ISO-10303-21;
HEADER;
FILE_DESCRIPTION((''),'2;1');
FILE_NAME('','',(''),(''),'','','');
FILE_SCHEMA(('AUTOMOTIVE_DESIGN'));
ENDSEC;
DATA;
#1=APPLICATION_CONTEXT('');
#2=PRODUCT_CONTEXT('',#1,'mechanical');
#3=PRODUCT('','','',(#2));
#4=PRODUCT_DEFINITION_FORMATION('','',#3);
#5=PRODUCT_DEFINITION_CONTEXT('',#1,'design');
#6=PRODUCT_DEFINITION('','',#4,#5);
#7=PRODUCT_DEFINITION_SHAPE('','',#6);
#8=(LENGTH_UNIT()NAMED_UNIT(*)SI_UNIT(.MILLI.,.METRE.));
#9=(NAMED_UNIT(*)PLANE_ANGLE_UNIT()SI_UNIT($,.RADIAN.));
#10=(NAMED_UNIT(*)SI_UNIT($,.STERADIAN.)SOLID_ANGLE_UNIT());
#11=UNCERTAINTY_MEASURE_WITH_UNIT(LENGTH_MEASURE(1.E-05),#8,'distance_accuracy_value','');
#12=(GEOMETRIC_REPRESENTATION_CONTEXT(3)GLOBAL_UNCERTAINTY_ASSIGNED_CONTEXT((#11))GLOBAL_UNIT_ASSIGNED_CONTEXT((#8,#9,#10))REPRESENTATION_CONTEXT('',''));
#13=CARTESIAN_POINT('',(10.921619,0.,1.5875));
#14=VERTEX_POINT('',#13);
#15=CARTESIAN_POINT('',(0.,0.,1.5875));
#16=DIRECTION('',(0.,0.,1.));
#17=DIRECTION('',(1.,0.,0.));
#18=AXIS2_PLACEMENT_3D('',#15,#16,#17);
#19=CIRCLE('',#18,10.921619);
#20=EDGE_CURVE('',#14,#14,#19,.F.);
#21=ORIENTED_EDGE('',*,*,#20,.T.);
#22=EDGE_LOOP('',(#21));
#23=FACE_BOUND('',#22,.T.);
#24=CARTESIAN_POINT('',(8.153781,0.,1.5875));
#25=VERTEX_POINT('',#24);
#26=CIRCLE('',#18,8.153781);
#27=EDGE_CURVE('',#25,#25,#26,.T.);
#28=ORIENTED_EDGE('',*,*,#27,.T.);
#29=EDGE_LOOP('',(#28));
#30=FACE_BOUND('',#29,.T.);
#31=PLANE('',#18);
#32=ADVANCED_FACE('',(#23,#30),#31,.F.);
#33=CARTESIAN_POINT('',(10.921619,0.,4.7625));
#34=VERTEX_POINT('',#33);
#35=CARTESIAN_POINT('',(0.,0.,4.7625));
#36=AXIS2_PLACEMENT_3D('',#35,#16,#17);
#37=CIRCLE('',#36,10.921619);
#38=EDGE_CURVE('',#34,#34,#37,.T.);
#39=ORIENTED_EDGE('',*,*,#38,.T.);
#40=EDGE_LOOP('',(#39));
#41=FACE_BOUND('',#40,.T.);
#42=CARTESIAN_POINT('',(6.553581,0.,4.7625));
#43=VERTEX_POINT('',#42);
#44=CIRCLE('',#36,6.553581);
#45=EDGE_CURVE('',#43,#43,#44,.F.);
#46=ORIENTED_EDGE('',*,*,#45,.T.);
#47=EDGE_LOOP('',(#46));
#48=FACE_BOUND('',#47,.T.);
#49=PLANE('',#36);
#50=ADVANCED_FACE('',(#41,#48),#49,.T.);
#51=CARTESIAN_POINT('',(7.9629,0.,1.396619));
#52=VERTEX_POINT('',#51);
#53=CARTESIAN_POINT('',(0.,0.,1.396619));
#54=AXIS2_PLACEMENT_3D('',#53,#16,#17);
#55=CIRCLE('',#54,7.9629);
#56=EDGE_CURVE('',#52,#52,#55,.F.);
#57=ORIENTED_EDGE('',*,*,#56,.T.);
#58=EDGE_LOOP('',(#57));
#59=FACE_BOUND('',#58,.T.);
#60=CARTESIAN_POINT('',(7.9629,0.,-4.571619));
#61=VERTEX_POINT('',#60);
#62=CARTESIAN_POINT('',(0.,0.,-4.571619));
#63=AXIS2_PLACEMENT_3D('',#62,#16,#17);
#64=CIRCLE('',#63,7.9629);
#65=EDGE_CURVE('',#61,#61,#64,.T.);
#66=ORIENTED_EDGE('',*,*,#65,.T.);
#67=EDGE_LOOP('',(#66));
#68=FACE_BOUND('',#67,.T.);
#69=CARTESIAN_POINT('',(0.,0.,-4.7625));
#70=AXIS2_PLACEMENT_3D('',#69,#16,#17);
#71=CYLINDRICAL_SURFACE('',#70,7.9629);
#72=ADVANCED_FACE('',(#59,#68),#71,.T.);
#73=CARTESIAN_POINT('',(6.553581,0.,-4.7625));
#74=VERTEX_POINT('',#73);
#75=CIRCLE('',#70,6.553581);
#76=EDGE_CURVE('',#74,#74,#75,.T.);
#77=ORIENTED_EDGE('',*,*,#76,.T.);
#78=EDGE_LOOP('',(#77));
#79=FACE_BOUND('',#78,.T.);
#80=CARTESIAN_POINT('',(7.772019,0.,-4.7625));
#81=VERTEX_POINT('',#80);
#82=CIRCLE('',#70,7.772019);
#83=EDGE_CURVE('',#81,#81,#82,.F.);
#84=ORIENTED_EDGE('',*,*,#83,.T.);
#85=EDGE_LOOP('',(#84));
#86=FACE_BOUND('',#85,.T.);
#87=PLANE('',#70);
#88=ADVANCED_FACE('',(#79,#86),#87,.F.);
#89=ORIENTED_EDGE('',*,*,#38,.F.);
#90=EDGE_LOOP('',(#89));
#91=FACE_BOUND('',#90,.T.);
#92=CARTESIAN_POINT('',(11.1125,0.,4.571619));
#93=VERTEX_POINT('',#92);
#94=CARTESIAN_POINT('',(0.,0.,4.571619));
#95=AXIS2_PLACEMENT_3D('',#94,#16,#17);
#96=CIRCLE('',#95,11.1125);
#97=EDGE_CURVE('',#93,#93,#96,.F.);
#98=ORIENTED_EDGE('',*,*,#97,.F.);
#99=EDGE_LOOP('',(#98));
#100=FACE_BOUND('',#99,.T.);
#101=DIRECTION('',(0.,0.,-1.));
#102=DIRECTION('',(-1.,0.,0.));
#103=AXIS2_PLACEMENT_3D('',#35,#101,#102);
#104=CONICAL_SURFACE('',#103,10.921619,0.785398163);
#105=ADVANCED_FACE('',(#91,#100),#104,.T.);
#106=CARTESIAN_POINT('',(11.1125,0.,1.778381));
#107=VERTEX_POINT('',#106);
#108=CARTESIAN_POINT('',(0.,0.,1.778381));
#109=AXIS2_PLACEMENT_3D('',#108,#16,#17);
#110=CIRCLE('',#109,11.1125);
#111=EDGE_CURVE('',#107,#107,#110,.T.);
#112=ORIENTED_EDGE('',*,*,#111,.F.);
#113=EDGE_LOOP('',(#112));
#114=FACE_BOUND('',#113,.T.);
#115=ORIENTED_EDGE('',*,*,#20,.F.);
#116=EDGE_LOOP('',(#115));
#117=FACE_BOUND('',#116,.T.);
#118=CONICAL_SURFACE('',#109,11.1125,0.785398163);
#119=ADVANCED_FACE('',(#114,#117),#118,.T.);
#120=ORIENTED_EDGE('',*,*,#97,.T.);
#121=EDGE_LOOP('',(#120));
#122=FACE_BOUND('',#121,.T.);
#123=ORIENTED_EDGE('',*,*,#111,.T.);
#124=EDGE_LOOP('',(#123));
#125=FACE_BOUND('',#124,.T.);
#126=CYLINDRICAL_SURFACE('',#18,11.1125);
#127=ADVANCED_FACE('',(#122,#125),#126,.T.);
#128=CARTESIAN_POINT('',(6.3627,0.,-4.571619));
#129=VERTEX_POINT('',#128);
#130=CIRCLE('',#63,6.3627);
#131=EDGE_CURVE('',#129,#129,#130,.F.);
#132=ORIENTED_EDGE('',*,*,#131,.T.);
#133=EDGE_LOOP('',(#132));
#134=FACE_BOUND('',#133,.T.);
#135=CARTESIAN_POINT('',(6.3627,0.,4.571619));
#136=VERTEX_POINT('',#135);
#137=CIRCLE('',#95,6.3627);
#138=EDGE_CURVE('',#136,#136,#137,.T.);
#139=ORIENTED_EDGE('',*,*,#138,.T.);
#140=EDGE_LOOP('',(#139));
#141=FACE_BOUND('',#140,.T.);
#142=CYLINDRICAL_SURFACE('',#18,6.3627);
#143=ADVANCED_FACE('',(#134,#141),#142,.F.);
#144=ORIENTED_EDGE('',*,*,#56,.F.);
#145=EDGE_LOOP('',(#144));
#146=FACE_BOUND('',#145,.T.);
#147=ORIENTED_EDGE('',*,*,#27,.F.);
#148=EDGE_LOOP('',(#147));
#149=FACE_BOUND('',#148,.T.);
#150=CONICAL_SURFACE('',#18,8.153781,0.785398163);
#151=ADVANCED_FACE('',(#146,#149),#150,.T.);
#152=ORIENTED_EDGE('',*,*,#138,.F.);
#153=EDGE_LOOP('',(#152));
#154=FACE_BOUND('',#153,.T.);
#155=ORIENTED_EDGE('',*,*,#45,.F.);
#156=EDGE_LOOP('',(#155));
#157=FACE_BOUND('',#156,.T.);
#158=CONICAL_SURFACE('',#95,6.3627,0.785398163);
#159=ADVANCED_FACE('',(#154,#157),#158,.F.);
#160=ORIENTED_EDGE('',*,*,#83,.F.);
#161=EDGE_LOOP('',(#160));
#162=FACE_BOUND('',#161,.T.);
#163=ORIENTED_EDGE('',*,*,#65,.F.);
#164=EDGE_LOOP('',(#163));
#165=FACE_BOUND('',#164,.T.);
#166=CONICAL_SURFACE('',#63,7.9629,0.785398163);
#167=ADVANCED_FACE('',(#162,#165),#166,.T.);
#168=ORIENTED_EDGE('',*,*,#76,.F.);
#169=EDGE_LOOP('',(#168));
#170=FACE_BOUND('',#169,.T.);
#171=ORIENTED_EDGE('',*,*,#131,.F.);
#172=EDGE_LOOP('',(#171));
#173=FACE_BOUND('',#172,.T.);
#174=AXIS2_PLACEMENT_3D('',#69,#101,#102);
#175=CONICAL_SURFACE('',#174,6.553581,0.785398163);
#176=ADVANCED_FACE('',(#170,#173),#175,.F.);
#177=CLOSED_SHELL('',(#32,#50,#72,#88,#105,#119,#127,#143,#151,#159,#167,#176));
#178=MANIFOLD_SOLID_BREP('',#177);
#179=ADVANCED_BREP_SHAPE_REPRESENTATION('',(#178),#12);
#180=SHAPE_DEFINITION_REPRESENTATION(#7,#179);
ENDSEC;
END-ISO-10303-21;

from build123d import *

# Parameters (mm, degrees)
BOSS_EXTRUDE1_START = 4.7625
SKETCH3_R           = 11.1125
SKETCH3_R_2         = 6.3627
BOSS_EXTRUDE1_DEPTH = 3.175
BOSS_EXTRUDE2_START = 1.5875
SKETCH4_R           = 7.9629
SKETCH4_R_2         = 6.3627
BOSS_EXTRUDE2_DEPTH = 6.35
CHAMFER1_SIZE       = 0.190881


with BuildPart() as part:
    # Sketch3 → Boss-Extrude1 (new body)
    with BuildSketch(Plane.XY.offset(BOSS_EXTRUDE1_START)):
        Circle(SKETCH3_R)
        Circle(SKETCH3_R_2, mode=Mode.SUBTRACT)
    extrude(amount=-BOSS_EXTRUDE1_DEPTH)

    # Sketch4 → Boss-Extrude2 (add)
    with BuildSketch(Plane.XY.offset(BOSS_EXTRUDE2_START)):
        Circle(SKETCH4_R)
        Circle(SKETCH4_R_2, mode=Mode.SUBTRACT)
    extrude(amount=-BOSS_EXTRUDE2_DEPTH)

    # Chamfer1
    chamfer1_edges = [part.edges().sort_by_distance(p)[0] for p in [
        (-6.3627, 0, -4.7625),
        (-7.9629, 0, 1.5875),
        (-11.1125, 0, 4.7625),
        (-11.1125, 0, 1.5875),
        (-6.3627, 0, 4.7625),
        (-7.9629, 0, -4.7625),
    ]]
    chamfer(chamfer1_edges, length=CHAMFER1_SIZE)


solid = part.part
